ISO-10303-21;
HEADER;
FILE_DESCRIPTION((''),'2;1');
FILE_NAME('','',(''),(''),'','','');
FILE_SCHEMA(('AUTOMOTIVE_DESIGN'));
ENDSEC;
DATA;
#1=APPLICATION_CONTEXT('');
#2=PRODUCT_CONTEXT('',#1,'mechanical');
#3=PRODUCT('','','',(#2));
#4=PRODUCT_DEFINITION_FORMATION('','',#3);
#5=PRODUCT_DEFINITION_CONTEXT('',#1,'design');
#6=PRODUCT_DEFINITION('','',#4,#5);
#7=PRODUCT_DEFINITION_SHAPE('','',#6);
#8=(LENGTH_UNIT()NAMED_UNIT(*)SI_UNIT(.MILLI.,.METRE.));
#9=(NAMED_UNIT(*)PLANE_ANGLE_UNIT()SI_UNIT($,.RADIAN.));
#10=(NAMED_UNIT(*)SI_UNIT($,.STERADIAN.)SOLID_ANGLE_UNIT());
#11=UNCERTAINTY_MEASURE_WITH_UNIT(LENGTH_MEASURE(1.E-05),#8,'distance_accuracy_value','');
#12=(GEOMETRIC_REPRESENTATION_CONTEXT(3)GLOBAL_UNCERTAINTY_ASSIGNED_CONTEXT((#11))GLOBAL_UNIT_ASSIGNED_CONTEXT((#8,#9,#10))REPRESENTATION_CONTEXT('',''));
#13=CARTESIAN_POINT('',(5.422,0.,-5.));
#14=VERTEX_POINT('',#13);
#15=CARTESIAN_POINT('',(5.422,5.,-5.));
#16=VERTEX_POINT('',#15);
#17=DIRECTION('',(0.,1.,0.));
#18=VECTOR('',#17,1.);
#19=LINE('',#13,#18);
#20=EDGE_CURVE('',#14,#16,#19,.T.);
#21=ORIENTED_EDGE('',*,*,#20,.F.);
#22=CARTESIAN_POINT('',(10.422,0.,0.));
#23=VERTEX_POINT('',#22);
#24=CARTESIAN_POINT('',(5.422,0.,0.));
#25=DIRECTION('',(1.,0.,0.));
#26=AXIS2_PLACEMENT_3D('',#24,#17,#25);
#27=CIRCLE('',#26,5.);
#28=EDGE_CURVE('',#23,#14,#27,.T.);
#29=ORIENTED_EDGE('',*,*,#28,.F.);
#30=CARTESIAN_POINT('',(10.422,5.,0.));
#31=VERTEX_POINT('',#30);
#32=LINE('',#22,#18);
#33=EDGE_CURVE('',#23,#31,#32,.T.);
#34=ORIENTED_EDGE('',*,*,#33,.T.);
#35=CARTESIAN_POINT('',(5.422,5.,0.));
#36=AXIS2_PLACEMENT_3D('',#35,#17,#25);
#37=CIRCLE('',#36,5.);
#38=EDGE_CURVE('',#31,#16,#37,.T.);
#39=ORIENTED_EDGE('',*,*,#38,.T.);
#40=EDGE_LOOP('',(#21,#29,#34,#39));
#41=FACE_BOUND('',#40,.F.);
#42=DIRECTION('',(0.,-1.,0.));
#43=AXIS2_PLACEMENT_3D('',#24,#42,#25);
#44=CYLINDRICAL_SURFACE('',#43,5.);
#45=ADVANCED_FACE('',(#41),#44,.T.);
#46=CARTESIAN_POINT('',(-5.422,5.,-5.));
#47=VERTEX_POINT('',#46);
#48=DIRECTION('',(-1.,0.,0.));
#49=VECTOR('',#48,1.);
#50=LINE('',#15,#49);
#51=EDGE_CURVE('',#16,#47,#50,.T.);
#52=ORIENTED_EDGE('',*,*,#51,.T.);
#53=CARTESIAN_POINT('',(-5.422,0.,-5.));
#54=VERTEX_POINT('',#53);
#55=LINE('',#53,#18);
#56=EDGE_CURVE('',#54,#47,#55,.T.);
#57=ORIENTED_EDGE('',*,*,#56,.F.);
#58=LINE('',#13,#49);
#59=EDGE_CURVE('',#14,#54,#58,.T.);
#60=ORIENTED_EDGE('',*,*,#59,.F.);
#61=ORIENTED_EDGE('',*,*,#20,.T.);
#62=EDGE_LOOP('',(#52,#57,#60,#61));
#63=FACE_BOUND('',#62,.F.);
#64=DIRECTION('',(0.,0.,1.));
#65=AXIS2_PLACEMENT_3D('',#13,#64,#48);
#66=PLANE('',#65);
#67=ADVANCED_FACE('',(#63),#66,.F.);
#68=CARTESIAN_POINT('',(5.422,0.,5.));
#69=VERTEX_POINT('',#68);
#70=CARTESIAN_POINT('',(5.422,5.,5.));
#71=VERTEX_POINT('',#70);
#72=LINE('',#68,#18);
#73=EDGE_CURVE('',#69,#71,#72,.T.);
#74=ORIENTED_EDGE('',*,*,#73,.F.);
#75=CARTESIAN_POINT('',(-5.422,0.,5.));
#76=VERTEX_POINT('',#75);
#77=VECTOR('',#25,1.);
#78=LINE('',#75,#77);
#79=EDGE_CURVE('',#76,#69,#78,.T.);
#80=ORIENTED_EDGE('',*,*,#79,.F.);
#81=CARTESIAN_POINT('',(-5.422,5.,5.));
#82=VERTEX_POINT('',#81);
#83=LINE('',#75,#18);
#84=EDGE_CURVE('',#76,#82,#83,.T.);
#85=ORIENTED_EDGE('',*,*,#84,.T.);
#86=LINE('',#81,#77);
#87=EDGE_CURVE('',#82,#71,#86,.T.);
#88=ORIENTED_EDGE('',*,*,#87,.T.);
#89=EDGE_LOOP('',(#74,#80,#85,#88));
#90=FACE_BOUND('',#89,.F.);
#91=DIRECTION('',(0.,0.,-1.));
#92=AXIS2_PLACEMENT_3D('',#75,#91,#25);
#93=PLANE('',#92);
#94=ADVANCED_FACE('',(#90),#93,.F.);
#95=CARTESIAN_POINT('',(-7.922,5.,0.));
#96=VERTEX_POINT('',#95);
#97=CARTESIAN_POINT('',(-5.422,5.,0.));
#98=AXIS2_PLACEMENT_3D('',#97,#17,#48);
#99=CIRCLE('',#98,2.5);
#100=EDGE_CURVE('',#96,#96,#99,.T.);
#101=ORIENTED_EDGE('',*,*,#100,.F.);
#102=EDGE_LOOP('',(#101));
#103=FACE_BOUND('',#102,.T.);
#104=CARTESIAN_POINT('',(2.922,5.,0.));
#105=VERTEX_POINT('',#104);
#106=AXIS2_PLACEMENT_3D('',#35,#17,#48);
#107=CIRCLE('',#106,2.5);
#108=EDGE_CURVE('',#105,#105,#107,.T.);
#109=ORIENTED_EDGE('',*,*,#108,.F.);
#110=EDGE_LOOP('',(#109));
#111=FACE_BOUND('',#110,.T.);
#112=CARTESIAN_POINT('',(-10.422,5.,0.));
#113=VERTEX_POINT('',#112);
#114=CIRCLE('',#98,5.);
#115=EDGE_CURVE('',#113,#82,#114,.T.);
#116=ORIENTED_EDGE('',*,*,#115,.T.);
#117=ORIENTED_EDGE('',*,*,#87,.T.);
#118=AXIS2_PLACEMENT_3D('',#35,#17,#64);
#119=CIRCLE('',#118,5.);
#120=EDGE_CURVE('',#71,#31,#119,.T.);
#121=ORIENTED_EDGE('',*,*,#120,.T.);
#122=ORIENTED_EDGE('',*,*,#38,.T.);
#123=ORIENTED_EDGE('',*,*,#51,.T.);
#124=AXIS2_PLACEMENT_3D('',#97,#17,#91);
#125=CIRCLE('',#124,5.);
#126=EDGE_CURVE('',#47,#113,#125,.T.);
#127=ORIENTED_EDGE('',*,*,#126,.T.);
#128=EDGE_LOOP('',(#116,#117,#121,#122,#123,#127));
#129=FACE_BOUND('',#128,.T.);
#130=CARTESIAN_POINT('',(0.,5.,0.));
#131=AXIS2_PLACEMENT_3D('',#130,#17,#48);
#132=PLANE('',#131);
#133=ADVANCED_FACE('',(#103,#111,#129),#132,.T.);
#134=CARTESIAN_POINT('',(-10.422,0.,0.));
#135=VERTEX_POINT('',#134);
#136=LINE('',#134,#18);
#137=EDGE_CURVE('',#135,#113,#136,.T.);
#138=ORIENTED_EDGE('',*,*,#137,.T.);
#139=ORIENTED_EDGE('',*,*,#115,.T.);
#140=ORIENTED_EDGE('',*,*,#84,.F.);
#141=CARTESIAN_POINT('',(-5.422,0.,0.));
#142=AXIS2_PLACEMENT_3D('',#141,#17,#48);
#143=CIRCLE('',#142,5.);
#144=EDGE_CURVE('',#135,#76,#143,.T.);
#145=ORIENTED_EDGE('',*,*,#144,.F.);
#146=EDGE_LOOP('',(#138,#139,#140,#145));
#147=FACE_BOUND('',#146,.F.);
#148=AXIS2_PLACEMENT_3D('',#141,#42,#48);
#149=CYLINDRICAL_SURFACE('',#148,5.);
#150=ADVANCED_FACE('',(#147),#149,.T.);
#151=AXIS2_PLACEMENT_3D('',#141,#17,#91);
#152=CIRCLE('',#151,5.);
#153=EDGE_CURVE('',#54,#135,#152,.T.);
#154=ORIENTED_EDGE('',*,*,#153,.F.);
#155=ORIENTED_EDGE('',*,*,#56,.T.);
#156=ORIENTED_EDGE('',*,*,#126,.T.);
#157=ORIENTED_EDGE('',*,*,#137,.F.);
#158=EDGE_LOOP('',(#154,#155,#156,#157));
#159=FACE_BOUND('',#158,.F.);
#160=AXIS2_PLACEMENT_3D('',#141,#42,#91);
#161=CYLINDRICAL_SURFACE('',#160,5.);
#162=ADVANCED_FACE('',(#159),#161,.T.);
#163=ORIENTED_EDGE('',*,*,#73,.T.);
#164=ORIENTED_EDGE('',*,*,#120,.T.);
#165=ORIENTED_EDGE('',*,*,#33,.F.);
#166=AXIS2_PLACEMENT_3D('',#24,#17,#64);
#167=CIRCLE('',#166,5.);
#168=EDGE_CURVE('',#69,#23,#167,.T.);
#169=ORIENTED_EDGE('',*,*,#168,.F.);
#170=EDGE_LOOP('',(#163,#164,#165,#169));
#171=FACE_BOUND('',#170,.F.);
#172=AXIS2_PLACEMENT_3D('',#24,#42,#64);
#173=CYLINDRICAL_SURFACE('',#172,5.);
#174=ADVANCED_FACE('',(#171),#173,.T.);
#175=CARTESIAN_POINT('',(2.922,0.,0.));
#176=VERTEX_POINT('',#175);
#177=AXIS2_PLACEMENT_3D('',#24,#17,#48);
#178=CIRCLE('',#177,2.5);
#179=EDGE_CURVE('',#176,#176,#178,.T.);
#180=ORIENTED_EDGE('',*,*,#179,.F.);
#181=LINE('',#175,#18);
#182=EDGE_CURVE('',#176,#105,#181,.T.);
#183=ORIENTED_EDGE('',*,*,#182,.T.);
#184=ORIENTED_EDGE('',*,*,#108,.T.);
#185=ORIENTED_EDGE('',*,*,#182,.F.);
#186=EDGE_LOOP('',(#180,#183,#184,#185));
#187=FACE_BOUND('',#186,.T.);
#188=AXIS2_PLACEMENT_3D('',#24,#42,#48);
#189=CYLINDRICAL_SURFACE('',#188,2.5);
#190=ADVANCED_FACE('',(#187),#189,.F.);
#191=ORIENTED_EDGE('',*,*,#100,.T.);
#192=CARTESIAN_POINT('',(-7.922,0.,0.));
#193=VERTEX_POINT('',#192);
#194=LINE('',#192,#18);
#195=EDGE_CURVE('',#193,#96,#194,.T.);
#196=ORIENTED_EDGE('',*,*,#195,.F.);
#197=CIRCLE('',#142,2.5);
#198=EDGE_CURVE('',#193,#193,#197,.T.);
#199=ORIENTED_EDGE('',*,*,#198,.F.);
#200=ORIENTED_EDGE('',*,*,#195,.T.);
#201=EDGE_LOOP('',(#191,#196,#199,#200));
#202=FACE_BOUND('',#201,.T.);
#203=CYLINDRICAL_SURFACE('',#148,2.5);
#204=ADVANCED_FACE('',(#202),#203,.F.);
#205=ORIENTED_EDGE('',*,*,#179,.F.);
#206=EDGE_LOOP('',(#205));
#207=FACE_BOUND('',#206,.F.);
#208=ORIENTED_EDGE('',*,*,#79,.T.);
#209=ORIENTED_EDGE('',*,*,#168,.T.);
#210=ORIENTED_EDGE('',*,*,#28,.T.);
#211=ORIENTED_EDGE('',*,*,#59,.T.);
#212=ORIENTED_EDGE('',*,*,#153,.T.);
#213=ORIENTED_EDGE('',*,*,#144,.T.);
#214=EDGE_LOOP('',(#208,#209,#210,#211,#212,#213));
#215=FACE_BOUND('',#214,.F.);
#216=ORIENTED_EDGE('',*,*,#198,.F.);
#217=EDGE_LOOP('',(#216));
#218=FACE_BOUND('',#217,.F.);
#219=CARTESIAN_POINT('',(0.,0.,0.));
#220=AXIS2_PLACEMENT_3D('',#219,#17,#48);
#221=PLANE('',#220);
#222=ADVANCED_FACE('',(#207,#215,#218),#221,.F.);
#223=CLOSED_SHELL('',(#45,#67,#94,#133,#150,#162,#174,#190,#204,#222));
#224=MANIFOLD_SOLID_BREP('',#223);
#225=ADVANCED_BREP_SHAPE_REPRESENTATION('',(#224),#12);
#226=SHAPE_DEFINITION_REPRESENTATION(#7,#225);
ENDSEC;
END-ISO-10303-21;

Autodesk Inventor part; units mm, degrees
ref_plane "YZ Plane" through (0, 0, 0) normal (1, 0, 0) x (0, 1, 0)
ref_plane "XZ Plane" through (0, 0, 0) normal (0, 1, 0) x (-1, 0, 0)
ref_plane "XY Plane" through (0, 0, 0) normal (0, 0, 1) x (1, 0, 0)
sketch "Sketch1" plane through (0, 0, 0) normal (0, 1, 0) x (-1, 0, 0)
  line L0 (-5.422, -5) -> (5.422, -5)
  line L1 (10.422, 0) -> (10.422, 0)
  line L2 (5.422, 5) -> (-5.422, 5)
  line L3 (-10.422, 0) -> (-10.422, 0)
  line L4 (-10.422, -5) -> (10.422, 5) construction
  line L5 (10.422, -5) -> (-10.422, 5) construction
  circle A0 centre (5.422, 0) radius 2.5
  circle A1 centre (-5.422, 0) radius 2.5
  arc A2 (5.422, -5) -> (10.422, 0) centre (5.422, 0) ccw
  arc A3 (10.422, 0) -> (5.422, 5) centre (5.422, 0) ccw
  arc A4 (-5.422, 5) -> (-10.422, 0) centre (-5.422, 0) ccw
  arc A5 (-10.422, 0) -> (-5.422, -5) centre (-5.422, 0) ccw
  point P0 (0, 0)
  point P1 (10.422, 0)
  point P2 (-10.422, 0)
  dimension "d0" = 10
  dimension "d1" = 20.844
  dimension "d3" = 5
  dimension "d4" = 5
  dimension "d5" = 5
  dimension "d6" = 5
  dimension "d7" = 5
  dimension "d8" = 5
  dimension "d9" = 5
extrude "Extrusion1" add sketch "Sketch1" along normal blind 5
properties part number "link"
